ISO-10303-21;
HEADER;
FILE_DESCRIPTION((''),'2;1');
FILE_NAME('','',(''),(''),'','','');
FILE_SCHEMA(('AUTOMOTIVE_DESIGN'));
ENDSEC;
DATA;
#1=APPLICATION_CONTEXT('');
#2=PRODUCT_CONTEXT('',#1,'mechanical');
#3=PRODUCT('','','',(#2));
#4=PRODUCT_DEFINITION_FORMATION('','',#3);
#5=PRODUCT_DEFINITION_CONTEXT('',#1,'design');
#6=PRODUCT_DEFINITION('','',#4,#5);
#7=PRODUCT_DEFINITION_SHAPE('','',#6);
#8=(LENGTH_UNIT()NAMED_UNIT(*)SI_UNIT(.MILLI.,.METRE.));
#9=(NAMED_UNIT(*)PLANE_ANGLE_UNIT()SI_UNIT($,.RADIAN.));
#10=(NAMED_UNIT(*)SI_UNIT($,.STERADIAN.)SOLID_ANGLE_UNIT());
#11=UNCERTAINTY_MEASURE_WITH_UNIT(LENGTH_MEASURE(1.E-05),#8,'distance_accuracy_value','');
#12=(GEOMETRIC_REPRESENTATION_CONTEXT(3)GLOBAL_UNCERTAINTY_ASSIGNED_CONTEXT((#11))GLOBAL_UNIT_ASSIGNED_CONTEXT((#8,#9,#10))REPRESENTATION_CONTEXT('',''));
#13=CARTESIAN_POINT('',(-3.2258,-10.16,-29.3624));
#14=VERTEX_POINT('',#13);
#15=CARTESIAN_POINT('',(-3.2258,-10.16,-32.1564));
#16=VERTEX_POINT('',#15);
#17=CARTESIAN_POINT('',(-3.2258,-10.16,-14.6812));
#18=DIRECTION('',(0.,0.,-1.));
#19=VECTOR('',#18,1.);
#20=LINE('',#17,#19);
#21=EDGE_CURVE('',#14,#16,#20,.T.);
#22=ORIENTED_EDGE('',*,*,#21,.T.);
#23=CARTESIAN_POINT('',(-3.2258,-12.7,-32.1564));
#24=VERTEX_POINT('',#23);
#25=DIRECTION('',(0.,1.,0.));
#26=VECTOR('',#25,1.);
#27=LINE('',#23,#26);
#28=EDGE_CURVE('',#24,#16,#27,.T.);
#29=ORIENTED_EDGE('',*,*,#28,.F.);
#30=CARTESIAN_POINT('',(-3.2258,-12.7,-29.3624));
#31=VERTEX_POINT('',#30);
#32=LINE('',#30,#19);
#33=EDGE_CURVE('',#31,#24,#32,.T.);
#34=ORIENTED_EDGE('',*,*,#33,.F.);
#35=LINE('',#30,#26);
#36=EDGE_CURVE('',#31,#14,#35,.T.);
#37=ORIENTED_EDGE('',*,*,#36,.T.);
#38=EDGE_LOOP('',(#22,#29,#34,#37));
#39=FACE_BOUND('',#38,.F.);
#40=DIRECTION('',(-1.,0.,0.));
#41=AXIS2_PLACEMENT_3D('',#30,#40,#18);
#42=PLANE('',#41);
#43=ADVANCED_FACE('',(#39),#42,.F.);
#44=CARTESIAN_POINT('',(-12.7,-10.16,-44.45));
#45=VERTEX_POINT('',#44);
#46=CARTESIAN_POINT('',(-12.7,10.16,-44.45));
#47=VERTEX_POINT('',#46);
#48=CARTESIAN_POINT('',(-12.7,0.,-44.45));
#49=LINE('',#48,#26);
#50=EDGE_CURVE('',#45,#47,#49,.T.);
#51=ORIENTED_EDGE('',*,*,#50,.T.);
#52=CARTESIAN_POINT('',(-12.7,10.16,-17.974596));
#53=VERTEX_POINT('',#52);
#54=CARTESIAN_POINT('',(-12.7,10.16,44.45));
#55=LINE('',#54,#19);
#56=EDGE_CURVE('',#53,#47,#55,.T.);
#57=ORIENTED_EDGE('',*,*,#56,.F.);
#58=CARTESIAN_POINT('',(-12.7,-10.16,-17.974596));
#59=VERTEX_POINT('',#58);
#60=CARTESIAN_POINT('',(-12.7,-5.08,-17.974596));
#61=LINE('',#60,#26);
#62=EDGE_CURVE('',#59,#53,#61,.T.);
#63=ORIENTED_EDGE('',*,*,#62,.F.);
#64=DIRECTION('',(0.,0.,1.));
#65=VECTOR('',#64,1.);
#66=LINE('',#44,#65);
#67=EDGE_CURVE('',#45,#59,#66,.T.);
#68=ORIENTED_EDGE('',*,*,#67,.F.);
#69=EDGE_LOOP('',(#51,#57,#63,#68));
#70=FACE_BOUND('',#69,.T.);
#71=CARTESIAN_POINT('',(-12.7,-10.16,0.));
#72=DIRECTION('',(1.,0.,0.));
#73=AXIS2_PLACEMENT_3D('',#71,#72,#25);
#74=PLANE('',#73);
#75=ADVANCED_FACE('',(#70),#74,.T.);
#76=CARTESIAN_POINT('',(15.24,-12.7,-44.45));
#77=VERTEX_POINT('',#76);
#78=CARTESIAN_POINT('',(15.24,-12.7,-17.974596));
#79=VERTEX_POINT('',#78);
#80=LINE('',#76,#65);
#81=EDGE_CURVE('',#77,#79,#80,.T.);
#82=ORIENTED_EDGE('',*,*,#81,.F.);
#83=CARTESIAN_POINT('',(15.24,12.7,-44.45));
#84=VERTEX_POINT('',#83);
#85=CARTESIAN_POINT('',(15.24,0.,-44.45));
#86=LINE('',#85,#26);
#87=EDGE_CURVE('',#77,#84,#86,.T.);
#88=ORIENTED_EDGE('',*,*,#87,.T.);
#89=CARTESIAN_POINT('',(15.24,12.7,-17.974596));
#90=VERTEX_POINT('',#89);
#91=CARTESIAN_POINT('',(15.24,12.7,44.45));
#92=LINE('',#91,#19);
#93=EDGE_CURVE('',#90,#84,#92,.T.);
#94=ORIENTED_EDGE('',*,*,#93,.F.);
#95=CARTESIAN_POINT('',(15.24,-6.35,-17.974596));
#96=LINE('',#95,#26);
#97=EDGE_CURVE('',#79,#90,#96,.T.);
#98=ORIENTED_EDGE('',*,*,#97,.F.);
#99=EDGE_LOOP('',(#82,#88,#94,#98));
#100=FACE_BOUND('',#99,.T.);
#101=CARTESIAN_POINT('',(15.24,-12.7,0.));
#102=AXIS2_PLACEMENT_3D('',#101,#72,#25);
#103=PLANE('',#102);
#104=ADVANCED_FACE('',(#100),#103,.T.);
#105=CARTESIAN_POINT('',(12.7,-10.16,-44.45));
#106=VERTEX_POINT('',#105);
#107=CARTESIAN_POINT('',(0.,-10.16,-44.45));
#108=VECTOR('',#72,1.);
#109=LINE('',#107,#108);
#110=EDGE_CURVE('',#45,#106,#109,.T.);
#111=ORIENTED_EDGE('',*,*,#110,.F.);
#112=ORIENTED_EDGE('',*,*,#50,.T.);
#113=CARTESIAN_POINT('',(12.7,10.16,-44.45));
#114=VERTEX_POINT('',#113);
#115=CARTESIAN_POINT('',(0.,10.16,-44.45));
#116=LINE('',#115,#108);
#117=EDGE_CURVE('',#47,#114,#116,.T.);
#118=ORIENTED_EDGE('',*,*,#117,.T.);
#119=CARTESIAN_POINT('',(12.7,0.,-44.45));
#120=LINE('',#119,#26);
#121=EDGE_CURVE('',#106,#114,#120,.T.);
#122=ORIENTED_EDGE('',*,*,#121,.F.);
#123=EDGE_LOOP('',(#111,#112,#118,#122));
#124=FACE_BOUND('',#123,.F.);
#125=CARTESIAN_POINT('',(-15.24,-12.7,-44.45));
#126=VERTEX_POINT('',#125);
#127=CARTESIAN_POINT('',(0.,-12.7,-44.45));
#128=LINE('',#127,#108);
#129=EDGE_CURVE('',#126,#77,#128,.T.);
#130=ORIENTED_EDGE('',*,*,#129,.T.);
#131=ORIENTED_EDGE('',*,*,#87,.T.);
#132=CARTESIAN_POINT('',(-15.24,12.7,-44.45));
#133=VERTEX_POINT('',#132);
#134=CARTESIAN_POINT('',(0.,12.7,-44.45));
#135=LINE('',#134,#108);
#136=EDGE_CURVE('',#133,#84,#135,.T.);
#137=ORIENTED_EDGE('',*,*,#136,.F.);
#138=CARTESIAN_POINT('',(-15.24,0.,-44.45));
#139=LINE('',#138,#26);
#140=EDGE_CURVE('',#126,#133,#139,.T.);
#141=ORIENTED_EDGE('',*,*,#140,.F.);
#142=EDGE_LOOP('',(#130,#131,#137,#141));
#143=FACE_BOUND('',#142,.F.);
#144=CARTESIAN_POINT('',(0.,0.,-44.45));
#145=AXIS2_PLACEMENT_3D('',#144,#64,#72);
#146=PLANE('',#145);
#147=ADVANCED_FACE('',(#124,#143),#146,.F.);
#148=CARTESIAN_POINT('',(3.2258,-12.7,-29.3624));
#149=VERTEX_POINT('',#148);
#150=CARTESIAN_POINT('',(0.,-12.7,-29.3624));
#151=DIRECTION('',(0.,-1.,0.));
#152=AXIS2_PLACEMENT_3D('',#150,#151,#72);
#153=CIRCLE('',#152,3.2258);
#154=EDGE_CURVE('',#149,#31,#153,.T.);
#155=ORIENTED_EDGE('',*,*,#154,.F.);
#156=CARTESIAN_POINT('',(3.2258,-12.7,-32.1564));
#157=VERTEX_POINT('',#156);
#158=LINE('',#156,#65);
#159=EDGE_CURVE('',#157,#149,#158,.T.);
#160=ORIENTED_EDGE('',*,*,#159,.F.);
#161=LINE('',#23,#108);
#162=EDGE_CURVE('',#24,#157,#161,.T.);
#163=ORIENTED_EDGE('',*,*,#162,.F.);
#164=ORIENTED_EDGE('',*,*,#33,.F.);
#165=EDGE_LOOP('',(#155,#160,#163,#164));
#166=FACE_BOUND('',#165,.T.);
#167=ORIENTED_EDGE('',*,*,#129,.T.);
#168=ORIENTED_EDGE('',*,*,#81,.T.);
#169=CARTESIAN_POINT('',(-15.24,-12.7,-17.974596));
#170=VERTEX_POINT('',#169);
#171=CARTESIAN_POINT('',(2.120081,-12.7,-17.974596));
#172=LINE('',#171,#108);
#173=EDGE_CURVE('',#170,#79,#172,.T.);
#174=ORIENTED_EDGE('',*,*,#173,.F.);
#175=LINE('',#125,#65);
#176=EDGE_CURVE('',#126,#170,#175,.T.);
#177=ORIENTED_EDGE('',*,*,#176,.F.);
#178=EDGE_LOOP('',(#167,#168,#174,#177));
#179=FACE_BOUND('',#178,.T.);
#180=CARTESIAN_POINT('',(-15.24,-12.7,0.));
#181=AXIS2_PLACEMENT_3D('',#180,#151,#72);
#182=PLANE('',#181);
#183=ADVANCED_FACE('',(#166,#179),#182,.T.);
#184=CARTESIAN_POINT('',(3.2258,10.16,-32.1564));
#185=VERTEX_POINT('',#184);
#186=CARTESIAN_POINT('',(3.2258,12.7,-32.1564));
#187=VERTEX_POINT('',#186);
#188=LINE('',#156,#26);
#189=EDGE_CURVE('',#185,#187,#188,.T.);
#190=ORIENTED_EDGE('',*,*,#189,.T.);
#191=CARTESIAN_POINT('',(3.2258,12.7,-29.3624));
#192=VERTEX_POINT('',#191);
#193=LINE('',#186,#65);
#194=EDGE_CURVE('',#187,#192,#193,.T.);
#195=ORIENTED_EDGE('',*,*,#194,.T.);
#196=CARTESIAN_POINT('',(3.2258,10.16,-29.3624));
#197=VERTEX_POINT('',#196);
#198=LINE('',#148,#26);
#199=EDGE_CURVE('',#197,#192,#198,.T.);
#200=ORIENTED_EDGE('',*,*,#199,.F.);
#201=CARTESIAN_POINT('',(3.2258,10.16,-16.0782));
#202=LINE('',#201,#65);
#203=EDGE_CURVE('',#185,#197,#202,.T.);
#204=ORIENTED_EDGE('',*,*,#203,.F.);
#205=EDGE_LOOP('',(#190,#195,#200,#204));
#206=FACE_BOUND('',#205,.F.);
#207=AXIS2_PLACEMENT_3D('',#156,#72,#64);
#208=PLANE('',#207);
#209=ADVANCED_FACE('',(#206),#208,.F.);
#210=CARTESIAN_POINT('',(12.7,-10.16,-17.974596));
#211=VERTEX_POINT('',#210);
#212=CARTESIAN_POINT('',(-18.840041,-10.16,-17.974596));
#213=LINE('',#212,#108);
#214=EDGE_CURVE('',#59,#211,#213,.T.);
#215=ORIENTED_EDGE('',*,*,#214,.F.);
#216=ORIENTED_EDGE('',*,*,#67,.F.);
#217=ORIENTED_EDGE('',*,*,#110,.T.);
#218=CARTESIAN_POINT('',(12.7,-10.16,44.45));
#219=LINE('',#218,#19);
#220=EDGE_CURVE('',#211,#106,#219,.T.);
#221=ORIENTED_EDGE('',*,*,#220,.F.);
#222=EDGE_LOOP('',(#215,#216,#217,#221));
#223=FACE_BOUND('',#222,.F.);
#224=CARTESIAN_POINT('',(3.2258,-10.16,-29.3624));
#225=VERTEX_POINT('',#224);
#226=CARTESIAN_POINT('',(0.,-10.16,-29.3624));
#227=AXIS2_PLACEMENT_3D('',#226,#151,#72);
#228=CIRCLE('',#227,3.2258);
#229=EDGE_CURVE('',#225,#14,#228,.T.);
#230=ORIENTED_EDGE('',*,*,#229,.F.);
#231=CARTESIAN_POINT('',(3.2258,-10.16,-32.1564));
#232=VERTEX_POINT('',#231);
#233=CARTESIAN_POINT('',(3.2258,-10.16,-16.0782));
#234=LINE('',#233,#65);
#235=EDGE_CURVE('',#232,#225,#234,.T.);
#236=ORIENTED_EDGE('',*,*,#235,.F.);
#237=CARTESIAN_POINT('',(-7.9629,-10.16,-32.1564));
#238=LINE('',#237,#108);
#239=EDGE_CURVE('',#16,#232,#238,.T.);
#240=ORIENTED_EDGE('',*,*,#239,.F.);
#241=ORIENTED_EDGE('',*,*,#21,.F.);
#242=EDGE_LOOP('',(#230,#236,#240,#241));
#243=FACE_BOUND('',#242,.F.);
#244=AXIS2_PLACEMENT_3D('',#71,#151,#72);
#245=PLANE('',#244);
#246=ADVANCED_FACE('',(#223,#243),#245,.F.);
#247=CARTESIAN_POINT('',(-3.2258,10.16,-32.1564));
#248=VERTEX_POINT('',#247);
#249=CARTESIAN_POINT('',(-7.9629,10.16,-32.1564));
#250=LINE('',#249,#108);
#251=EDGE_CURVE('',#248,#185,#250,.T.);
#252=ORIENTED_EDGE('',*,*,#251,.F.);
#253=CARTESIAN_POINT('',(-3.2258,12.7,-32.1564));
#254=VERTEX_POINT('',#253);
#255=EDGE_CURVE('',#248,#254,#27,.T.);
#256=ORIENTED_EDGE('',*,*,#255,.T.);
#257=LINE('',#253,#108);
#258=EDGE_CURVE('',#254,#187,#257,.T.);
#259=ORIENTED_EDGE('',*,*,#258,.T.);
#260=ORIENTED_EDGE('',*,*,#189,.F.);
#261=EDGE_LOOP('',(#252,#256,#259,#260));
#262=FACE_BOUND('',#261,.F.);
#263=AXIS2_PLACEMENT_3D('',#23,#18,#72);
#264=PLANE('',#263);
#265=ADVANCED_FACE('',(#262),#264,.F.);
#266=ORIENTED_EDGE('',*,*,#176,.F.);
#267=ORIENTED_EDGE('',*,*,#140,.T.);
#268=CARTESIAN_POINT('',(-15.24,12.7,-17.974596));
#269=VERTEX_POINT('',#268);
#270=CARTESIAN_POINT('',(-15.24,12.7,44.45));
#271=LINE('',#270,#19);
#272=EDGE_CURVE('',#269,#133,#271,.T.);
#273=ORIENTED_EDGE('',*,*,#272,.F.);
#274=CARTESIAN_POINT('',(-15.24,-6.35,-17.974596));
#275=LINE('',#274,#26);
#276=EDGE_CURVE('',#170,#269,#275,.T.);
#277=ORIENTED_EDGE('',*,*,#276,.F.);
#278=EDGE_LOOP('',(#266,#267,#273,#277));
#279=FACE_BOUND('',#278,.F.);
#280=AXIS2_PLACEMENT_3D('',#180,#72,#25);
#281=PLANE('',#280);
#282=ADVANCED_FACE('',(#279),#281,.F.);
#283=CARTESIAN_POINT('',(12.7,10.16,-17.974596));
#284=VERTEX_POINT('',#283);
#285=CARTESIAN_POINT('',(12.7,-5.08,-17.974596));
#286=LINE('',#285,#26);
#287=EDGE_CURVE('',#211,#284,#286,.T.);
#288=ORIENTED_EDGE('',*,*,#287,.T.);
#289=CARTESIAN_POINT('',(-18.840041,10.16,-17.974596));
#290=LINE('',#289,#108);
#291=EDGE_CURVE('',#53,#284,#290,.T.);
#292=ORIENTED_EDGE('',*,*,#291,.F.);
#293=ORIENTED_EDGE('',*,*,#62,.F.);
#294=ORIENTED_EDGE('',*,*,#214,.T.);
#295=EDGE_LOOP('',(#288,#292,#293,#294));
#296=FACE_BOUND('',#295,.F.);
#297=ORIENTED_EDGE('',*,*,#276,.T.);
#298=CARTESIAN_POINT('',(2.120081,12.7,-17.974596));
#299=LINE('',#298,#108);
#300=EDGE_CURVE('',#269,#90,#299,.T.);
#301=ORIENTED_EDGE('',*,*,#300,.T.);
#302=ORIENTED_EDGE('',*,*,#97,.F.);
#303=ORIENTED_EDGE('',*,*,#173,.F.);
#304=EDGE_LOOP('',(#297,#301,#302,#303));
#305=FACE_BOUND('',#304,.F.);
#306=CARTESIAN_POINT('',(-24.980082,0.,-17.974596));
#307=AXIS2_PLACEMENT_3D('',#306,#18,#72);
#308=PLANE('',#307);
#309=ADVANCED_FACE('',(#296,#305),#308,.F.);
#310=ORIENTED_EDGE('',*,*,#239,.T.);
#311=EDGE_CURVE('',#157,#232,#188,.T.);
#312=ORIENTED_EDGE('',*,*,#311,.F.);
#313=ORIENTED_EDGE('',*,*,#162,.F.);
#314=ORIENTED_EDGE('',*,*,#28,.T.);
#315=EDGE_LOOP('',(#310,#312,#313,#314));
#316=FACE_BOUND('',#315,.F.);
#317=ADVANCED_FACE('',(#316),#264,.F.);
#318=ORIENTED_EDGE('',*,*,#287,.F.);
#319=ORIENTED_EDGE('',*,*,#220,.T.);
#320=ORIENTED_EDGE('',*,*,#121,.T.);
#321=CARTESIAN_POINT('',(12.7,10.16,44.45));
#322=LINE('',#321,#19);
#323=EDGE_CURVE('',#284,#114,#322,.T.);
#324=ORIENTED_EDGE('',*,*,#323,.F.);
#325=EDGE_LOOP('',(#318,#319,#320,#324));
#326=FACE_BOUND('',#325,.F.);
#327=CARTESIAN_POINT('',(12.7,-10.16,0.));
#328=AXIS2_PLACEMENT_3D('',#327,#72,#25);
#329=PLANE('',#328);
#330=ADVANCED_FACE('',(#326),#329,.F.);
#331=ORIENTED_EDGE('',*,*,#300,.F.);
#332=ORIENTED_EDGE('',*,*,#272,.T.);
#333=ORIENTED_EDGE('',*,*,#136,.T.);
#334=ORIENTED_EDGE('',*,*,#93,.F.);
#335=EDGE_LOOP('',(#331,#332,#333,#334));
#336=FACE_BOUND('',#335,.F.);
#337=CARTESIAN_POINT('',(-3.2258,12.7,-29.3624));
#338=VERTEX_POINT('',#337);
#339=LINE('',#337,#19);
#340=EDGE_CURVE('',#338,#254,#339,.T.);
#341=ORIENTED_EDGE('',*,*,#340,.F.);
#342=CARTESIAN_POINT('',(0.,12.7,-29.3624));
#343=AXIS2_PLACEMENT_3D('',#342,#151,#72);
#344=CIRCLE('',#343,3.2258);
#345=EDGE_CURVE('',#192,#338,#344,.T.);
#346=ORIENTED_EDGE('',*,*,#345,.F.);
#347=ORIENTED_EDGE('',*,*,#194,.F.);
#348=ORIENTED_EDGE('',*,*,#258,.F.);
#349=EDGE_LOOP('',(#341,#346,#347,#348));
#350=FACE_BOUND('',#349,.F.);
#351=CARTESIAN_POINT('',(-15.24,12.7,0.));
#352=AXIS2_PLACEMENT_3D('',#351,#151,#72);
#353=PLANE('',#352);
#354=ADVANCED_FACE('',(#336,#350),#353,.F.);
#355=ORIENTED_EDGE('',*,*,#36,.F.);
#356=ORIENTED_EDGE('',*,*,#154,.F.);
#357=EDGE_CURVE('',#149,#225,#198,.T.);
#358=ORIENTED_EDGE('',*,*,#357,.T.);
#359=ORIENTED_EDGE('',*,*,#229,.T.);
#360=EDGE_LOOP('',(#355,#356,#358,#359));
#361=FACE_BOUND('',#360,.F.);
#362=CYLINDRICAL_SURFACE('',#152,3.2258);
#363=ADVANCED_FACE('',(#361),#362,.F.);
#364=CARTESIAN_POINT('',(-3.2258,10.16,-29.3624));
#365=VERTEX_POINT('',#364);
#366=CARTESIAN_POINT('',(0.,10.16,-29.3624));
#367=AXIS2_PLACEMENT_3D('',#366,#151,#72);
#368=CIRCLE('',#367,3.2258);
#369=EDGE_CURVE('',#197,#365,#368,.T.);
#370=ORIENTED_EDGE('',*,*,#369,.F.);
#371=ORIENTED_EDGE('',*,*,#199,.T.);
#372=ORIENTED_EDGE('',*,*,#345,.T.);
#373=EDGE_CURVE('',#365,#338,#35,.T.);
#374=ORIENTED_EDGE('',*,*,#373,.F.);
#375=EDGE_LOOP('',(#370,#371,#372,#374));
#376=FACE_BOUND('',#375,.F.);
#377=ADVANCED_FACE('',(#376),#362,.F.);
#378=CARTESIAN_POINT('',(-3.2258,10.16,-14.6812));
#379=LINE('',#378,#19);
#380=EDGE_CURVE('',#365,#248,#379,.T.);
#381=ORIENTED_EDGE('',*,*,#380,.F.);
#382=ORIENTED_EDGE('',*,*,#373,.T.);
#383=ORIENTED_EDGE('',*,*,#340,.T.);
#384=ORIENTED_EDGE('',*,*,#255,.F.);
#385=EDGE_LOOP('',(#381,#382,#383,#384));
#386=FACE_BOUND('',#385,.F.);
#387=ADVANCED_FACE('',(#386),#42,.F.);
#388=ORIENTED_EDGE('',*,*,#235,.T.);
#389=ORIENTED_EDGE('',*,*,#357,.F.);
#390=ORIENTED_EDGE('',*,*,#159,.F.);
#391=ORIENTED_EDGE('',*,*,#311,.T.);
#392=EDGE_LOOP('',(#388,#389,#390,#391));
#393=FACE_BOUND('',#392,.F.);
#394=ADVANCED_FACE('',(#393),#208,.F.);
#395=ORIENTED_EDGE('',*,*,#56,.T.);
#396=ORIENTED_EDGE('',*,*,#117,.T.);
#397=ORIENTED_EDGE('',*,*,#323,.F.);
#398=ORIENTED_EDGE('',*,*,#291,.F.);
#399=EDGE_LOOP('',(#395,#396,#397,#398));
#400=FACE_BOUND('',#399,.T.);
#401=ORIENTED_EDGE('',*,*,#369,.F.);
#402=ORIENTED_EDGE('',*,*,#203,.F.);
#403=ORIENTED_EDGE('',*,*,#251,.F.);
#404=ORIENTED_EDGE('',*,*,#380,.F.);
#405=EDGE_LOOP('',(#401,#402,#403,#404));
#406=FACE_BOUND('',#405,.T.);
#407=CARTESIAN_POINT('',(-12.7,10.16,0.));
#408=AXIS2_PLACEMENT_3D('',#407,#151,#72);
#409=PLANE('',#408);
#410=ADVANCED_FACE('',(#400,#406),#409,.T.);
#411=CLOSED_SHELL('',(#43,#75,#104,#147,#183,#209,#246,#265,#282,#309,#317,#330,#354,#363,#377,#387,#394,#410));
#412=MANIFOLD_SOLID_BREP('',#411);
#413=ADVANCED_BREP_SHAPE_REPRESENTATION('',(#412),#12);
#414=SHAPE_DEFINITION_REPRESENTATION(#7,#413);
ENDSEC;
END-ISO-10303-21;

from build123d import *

# Parameters (mm, degrees)
F0_W     = 30.48
F0_H     = 25.4
F0_W_2   = 25.4
F0_H_2   = 20.32
F1_DEPTH = 44.45
F2_W     = 25.4
F2_H     = 20.32
F2_W_2   = 20.32
F2_H_2   = 15.24
F2_R     = 2.159
F3_DEPTH = 25.4
F4_R     = 2.159
F5_DEPTH = 5.08
F6_R     = 3.429
F6_W     = 8.128
F6_H     = 3.048
F7_DEPTH = 25.4
F8_W     = 54.200325
F8_H     = 68.948708
F9_DEPTH = 12.7


with BuildPart() as f1:
    # F0 (on Top) → F1 (new body, symmetric)
    with BuildSketch(Plane.XY):
        Rectangle(F0_W, F0_H)
        Rectangle(F0_W_2, F0_H_2, mode=Mode.SUBTRACT)
    extrude(amount=F1_DEPTH, both=True)

    # F2 (on face) → F3 (join)
    with BuildSketch(Plane.XY.offset(44.45)):
        Rectangle(F2_W, F2_H)
        Rectangle(F2_W_2, F2_H_2, mode=Mode.SUBTRACT)
        Rectangle(F2_W_2, F2_H_2)
        with Locations((-6.35, 0)):
            Circle(F2_R, mode=Mode.SUBTRACT)
        with Locations((6.35, 0)):
            Circle(F2_R, mode=Mode.SUBTRACT)
    extrude(amount=-F3_DEPTH)

    # F4 (on face) → F5 (cut)
    with BuildSketch(Plane(origin=(0, 0, 19.05), x_dir=(1, 0, 0), z_dir=(0, 0, -1))):
        with Locations((6.35, 0)):
            Circle(F4_R)
        with Locations((-6.35, 0)):
            Circle(F4_R)
    extrude(amount=-F5_DEPTH, mode=Mode.SUBTRACT)

    # F6 (on face) → F7 (cut)
    with BuildSketch(Plane.XZ.offset(12.7)):
        with Locations((0, 8.001)):
            Circle(F6_R)
        with Locations((0, -8.4074)):
            Rectangle(F6_W, F6_H)
        with BuildLine():
            Line((-3.2258, -29.3624), (-3.2258, -32.1564))
            Line((-3.2258, -32.1564), (3.2258, -32.1564))
            Line((3.2258, -32.1564), (3.2258, -29.3624))
            ThreePointArc((3.2258, -29.3624), (0, -26.1366), (-3.2258, -29.3624))
        make_face()
    extrude(amount=-F7_DEPTH, mode=Mode.SUBTRACT)

    # F8 (on Front) → F9 (cut, symmetric)
    with BuildSketch(Plane.XZ):
        with Locations((2.120081, 16.499758)):
            Rectangle(F8_W, F8_H)
    extrude(amount=F9_DEPTH, both=True, mode=Mode.SUBTRACT)


solid = f1.part
